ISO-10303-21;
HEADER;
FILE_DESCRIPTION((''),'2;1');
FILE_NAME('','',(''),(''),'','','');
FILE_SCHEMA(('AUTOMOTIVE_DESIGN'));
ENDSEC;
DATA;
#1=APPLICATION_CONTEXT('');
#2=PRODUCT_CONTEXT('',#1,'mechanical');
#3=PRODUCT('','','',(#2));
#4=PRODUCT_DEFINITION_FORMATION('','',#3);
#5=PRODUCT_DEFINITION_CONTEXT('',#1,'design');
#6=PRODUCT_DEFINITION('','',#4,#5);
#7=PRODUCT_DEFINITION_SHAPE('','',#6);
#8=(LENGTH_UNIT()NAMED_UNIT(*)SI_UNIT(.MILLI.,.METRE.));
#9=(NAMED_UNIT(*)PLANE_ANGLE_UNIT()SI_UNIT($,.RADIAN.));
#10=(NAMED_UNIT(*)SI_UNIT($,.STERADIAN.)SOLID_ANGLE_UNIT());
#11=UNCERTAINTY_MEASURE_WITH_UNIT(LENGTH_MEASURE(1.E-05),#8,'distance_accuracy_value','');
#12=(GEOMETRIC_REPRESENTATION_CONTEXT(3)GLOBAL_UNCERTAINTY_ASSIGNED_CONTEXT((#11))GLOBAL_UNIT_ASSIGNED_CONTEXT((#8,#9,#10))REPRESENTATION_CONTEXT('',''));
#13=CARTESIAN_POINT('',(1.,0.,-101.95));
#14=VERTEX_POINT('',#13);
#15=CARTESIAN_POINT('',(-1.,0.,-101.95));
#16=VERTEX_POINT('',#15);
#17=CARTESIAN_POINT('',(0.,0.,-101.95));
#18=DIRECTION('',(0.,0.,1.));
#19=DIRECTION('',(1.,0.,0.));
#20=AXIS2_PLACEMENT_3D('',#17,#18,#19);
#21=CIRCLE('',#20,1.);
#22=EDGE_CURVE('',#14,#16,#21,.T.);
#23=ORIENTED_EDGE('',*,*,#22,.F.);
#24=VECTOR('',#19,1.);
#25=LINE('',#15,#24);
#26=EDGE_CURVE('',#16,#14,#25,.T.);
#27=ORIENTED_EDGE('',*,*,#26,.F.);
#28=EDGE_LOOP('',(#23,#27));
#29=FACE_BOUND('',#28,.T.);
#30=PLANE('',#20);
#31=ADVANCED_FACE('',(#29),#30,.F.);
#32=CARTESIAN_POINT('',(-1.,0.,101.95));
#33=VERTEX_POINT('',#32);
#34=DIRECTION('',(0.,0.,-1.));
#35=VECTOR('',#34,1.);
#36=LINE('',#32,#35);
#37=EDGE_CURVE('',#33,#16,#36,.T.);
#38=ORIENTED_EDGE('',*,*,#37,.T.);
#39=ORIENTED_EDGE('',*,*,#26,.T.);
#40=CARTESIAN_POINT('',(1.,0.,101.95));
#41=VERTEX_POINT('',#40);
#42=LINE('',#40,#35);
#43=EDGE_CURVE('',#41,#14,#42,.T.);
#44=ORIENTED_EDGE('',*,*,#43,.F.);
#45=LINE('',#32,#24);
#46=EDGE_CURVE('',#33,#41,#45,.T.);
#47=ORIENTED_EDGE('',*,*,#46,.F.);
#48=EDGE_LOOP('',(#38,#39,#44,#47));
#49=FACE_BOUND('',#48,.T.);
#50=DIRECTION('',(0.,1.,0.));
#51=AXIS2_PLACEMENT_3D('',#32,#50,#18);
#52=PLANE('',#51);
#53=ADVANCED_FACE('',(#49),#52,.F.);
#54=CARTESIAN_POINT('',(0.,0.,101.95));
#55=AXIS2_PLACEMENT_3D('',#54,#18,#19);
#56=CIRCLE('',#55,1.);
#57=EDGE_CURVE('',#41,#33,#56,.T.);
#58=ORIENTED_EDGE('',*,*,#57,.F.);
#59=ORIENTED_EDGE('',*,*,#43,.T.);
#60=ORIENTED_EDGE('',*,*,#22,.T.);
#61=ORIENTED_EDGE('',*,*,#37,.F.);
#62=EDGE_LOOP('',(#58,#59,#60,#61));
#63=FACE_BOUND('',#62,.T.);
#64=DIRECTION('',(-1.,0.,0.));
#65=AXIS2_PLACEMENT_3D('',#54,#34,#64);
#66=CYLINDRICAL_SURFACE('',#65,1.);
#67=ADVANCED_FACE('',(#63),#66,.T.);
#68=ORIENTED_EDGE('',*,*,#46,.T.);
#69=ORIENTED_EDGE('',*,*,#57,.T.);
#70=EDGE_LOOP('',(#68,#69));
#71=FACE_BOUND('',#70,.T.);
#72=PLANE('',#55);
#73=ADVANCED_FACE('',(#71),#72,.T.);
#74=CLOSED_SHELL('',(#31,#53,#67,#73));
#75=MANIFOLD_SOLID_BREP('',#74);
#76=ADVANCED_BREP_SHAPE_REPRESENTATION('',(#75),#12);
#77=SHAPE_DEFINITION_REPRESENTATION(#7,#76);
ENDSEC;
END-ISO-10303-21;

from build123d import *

# Parameters (mm, degrees)
EXTRUDE1_DEPTH = 101.95


with BuildPart() as part:
    # Sketch1 → Extrude1 (new body, symmetric)
    with BuildSketch(Plane.XY):
        with BuildLine():
            Line((-1, 0), (1, 0))
            ThreePointArc((1, 0), (0, 1), (-1, 0))
        make_face()
    extrude(amount=EXTRUDE1_DEPTH, both=True)


solid = part.part
